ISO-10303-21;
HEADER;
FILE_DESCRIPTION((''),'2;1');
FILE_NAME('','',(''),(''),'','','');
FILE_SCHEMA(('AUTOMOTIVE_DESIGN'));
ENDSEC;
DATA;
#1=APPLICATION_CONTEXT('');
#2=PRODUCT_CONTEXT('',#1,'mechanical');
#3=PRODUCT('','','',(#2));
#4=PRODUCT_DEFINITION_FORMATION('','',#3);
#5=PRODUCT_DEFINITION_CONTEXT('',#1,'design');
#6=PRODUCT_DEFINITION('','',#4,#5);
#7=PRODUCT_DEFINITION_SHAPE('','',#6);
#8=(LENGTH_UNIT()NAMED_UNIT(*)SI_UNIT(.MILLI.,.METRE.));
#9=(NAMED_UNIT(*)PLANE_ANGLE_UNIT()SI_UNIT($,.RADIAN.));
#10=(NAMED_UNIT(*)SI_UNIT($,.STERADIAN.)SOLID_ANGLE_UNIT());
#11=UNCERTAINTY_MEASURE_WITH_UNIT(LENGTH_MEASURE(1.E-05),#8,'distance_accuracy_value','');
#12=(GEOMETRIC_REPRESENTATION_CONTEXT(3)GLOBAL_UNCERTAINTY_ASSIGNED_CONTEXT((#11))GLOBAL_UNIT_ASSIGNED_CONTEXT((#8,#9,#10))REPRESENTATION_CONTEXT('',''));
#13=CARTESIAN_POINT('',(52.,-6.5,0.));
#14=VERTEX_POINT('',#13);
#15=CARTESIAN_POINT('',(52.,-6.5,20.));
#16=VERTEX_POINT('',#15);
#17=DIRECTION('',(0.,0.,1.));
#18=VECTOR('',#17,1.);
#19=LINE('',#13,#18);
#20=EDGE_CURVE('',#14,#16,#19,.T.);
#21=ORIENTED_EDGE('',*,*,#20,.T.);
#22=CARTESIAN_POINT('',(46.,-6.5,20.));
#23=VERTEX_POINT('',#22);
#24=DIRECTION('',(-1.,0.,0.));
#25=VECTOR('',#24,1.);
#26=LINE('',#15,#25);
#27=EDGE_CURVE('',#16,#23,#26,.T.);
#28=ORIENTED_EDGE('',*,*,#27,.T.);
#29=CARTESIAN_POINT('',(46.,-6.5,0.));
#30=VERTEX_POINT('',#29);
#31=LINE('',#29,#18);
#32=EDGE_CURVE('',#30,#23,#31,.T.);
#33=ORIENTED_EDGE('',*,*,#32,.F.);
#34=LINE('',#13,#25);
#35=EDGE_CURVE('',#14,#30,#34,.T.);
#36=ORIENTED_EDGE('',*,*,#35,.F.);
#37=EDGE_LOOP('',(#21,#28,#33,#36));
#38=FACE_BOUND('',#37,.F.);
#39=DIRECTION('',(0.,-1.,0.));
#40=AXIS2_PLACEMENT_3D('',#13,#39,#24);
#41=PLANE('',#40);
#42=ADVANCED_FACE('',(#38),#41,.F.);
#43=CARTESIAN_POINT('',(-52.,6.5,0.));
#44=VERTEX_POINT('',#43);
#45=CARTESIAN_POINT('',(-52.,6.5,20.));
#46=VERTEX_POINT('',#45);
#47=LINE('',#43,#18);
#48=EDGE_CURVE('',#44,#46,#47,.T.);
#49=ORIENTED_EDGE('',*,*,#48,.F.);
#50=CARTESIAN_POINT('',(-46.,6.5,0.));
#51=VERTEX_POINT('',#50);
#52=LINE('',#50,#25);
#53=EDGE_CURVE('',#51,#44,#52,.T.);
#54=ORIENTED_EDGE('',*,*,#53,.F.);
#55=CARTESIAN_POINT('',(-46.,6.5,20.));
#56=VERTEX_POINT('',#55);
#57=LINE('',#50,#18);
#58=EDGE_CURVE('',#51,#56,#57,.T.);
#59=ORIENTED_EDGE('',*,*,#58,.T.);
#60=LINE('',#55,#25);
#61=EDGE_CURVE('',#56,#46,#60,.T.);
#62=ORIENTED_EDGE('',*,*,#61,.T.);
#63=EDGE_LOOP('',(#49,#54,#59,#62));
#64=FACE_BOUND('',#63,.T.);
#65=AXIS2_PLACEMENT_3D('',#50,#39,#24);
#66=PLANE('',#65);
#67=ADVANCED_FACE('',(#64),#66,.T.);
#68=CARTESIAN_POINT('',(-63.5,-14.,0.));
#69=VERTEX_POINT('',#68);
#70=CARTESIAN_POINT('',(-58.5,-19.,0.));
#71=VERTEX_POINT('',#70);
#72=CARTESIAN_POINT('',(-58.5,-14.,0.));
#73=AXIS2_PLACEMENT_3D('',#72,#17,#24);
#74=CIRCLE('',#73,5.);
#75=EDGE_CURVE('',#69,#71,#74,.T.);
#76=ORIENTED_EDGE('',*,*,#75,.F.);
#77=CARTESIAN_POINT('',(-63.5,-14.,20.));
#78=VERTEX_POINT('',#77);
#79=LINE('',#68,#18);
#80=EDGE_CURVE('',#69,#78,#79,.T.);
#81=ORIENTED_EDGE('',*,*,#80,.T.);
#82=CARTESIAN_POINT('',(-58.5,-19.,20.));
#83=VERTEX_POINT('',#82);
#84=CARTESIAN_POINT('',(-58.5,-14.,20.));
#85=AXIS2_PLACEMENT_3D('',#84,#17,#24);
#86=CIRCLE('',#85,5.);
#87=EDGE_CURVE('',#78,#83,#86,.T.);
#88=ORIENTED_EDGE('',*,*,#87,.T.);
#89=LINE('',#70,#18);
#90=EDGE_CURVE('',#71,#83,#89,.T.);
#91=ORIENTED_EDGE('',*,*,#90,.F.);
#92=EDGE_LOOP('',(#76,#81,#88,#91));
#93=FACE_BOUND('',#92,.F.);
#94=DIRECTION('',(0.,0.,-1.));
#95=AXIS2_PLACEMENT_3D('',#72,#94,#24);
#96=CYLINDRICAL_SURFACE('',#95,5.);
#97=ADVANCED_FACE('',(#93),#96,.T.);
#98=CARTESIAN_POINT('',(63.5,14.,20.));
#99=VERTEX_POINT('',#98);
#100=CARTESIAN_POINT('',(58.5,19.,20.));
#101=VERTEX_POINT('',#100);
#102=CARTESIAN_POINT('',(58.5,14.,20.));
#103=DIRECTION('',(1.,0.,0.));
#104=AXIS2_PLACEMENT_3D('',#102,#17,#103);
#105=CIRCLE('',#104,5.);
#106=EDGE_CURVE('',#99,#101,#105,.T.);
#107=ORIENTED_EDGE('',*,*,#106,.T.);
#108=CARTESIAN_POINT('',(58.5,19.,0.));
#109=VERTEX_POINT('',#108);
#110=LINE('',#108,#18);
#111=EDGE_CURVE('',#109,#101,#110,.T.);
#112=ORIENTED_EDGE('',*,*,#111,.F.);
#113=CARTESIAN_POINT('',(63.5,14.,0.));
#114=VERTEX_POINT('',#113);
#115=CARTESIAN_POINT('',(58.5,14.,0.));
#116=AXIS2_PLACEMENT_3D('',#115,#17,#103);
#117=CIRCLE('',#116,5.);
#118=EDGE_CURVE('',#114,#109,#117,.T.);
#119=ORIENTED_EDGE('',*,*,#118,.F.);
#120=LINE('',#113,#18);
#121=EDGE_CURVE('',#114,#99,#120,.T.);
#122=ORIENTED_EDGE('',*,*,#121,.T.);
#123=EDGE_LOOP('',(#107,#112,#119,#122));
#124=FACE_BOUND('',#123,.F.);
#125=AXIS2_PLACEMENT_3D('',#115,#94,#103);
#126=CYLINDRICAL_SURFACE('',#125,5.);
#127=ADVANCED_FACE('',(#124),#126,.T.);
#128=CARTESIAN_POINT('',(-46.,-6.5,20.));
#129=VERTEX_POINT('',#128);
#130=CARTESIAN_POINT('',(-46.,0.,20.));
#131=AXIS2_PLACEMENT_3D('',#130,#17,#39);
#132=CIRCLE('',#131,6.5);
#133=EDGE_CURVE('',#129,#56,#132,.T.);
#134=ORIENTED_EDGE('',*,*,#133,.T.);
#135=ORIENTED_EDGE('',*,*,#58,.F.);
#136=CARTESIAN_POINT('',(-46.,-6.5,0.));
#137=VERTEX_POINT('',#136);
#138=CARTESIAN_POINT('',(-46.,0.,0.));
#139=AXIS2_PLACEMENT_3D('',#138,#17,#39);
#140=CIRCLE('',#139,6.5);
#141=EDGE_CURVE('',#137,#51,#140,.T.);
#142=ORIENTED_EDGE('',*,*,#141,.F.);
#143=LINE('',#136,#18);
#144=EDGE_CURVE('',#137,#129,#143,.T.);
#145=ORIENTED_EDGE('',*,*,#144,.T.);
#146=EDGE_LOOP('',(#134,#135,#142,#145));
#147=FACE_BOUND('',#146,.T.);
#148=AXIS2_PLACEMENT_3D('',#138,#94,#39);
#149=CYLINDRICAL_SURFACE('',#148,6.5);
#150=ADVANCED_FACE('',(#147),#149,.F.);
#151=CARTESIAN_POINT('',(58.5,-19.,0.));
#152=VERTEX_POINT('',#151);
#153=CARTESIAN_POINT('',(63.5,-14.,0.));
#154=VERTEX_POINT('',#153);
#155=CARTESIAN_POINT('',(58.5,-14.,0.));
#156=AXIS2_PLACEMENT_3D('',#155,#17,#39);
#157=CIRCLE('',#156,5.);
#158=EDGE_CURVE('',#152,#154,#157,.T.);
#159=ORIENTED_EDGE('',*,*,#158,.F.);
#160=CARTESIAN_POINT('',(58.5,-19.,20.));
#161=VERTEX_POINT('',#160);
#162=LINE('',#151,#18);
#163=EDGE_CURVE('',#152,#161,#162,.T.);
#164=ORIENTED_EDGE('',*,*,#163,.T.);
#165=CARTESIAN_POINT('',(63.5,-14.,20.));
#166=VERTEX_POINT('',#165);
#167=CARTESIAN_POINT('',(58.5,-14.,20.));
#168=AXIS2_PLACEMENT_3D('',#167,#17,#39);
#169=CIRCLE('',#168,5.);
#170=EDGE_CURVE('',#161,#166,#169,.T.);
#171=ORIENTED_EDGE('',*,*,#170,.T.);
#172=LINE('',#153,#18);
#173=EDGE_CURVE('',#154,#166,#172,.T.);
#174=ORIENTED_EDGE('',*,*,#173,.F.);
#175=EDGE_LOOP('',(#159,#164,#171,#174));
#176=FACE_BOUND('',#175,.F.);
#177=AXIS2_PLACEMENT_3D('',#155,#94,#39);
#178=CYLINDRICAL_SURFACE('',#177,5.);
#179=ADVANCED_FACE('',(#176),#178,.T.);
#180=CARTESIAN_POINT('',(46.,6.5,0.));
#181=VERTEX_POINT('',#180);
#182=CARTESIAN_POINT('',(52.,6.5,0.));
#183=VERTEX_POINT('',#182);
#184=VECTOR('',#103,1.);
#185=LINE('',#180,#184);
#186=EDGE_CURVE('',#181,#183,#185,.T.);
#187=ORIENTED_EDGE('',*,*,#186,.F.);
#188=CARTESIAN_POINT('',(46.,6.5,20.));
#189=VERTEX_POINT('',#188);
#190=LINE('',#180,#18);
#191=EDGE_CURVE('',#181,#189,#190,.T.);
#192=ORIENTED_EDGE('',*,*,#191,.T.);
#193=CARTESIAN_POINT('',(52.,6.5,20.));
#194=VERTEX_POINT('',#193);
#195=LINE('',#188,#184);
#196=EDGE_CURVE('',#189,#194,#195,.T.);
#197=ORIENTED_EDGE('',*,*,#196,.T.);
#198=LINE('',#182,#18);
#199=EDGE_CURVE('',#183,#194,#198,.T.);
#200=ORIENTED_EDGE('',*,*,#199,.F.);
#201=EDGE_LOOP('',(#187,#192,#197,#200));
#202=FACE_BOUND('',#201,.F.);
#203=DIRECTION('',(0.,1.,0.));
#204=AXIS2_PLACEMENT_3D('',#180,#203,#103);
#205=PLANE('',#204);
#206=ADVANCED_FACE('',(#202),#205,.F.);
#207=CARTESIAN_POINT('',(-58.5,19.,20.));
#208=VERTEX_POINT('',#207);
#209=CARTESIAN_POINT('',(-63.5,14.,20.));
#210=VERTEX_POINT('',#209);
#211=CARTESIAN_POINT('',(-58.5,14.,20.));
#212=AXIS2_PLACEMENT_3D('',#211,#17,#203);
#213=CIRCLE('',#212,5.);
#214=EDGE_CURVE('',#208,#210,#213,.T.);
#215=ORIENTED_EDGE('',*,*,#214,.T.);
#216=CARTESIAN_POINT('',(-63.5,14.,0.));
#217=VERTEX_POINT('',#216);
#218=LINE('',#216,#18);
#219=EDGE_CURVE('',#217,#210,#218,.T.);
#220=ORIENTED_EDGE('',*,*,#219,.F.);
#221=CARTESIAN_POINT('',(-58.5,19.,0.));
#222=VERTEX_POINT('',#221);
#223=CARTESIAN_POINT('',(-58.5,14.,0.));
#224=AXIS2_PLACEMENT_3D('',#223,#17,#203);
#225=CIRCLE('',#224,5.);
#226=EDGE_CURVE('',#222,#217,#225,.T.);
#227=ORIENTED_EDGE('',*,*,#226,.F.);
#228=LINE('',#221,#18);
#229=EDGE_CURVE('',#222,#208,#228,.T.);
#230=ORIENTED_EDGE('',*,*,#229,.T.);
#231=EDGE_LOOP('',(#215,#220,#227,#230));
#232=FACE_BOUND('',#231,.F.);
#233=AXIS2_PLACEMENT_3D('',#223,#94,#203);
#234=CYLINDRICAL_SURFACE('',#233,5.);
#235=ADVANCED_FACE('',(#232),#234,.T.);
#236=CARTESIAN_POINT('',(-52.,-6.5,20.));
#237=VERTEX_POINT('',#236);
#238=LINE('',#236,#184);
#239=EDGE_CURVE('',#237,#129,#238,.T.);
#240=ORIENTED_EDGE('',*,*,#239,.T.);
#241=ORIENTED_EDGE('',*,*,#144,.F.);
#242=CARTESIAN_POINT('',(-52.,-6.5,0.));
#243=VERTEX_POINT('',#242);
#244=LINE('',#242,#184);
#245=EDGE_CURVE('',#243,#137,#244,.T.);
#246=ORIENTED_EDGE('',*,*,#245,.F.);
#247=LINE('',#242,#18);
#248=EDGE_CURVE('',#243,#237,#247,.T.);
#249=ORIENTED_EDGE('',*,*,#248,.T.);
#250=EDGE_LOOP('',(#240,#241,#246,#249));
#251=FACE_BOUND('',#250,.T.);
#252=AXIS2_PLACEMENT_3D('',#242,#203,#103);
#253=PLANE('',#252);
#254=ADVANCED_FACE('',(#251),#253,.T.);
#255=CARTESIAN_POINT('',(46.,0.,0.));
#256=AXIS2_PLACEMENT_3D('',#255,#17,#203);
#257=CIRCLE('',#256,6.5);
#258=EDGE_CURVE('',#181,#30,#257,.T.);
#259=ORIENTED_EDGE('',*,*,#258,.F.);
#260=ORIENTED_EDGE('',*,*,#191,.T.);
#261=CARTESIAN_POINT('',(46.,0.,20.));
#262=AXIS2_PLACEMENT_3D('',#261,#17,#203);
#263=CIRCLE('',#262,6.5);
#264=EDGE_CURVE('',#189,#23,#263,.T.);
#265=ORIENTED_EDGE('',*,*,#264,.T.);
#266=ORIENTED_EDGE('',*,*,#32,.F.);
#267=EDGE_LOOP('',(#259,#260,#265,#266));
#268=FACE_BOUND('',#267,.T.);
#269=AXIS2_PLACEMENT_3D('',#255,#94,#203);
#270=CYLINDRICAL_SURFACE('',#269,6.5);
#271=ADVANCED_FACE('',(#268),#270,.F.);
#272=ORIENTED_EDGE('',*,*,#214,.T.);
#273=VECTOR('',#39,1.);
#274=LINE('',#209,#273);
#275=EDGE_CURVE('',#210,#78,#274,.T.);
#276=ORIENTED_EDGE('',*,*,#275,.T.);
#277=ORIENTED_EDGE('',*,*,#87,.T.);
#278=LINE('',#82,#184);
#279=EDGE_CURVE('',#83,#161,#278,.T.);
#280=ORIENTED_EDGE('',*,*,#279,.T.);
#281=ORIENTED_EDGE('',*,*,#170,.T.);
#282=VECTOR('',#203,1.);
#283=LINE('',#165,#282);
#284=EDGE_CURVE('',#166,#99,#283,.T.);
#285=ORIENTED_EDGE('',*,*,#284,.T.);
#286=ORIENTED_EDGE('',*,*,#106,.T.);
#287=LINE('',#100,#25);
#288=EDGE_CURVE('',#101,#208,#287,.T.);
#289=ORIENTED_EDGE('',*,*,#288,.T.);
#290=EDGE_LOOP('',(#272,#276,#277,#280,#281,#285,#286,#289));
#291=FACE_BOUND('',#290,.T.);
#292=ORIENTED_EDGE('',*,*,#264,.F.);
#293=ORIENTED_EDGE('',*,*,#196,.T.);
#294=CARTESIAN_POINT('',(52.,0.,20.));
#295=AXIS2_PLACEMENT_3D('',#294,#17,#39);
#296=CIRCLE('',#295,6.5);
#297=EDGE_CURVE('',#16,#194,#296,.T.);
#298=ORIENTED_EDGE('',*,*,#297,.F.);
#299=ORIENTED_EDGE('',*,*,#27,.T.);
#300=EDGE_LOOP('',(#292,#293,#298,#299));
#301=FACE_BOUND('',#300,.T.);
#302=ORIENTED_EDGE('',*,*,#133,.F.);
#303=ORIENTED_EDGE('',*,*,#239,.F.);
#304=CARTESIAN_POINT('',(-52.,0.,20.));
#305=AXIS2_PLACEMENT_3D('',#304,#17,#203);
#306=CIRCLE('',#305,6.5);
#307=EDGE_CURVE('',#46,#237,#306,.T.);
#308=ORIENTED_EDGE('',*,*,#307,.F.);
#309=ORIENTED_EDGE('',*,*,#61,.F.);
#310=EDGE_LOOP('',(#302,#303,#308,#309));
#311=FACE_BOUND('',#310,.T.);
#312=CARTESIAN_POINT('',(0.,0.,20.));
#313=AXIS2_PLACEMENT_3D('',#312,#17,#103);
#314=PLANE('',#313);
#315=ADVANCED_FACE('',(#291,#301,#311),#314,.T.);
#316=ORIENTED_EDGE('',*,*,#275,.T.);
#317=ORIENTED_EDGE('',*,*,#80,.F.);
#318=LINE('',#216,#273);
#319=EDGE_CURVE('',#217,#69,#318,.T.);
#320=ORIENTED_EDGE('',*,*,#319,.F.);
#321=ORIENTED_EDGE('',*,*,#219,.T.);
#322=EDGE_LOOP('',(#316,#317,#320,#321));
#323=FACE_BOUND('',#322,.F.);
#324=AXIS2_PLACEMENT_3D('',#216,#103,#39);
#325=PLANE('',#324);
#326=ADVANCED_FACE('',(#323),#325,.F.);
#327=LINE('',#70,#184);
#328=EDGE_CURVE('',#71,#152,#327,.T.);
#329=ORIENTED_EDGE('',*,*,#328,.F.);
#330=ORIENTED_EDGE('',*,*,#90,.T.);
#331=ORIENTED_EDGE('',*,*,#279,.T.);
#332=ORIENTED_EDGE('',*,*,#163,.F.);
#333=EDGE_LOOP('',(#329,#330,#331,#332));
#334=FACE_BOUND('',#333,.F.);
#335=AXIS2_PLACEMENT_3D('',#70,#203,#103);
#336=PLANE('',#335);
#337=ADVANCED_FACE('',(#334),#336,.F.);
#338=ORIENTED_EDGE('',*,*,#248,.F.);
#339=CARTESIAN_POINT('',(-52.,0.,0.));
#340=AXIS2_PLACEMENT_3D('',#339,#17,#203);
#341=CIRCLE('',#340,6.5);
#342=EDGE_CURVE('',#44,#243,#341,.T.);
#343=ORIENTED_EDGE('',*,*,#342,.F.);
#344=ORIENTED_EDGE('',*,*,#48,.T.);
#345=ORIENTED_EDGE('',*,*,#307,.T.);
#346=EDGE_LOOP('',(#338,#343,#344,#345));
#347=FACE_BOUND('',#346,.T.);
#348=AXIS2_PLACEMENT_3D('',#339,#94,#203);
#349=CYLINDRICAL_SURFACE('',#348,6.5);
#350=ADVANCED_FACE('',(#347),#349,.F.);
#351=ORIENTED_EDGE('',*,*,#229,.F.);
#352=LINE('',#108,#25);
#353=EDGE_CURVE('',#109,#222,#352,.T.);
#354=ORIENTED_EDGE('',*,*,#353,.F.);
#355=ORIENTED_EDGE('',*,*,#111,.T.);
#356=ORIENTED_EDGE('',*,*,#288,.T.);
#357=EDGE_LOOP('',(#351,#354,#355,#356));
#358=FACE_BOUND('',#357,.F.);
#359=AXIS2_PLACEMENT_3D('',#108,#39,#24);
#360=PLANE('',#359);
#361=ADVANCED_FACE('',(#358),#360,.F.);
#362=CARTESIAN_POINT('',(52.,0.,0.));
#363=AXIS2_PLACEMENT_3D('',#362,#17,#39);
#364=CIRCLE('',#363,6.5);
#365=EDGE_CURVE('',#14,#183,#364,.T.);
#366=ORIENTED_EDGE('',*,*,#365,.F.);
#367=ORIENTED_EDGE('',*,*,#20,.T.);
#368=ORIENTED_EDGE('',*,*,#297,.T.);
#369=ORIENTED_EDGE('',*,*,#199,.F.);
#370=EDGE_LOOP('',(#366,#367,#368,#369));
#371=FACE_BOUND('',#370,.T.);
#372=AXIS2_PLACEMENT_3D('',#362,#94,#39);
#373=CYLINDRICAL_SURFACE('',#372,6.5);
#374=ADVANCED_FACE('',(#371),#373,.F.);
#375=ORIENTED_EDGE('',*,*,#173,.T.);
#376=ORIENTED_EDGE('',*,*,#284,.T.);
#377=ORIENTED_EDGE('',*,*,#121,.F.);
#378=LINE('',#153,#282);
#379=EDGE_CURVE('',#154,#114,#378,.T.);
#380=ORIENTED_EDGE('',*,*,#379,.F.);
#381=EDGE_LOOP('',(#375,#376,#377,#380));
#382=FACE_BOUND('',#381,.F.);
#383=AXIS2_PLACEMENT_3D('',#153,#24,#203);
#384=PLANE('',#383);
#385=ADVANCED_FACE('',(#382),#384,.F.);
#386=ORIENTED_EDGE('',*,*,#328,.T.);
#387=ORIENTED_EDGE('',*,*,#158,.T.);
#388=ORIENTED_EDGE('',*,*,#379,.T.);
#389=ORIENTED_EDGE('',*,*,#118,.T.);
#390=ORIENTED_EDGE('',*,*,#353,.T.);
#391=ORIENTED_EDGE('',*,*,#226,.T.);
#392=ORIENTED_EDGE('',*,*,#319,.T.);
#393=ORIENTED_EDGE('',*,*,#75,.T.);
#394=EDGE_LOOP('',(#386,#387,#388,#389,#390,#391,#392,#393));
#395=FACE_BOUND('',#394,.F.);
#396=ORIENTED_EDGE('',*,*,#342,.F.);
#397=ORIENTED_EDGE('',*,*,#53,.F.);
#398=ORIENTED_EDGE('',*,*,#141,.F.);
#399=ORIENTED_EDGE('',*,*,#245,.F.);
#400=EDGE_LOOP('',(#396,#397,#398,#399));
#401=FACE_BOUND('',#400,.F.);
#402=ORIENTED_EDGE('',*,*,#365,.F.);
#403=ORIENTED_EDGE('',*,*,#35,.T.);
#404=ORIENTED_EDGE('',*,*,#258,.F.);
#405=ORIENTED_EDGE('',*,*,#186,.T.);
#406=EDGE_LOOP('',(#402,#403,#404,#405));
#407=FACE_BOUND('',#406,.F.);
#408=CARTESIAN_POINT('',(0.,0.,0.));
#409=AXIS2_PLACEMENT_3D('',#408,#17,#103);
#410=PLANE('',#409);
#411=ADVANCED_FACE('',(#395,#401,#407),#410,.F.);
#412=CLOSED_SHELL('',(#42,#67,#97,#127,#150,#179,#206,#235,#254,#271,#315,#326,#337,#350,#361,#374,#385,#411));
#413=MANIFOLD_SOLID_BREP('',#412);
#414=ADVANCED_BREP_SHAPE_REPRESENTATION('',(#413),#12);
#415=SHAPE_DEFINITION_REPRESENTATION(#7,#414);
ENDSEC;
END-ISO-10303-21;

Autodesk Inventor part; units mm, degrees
ref_plane "YZ Plane" through (0, 0, 0) normal (1, 0, 0) x (0, 1, 0)
ref_plane "XZ Plane" through (0, 0, 0) normal (0, 1, 0) x (-1, 0, 0)
ref_plane "XY Plane" through (0, 0, 0) normal (0, 0, 1) x (1, 0, 0)
sketch "Boceto1" plane through (0, 0, 0) normal (0, 0, 1) x (1, 0, 0)
  line L0 (-58.5, -19) -> (58.5, -19)
  line L1 (63.5, -14) -> (63.5, 14)
  line L2 (58.5, 19) -> (-58.5, 19)
  line L3 (-63.5, 14) -> (-63.5, -14)
  line L4 (-63.5, -19) -> (63.5, 19) construction
  line L5 (63.5, -19) -> (-63.5, 19) construction
  arc A0 (-58.5, 19) -> (-63.5, 14) centre (-58.5, 14) ccw
  arc A1 (-63.5, -14) -> (-58.5, -19) centre (-58.5, -14) ccw
  arc A2 (58.5, -19) -> (63.5, -14) centre (58.5, -14) ccw
  arc A3 (63.5, 14) -> (58.5, 19) centre (58.5, 14) ccw
  line L6 (-63.5, 0) -> (63.5, 0) construction
  line L7 (-58.5, 0) -> (-39.5, 0) construction
  line L8 (-52, -6.5) -> (-46, -6.5)
  line L9 (-46, 6.5) -> (-52, 6.5)
  arc A4 (-52, 6.5) -> (-52, -6.5) centre (-52, 0) ccw
  arc A5 (-46, -6.5) -> (-46, 6.5) centre (-46, 0) ccw
  line L10 (0, 19) -> (0, -19) construction
  line L11 (52, -6.5) -> (46, -6.5)
  line L12 (46, 6.5) -> (52, 6.5)
  arc A6 (52, -6.5) -> (52, 6.5) centre (52, 0) ccw
  arc A7 (46, 6.5) -> (46, -6.5) centre (46, 0) ccw
  point P0 (0, 0)
  point P1 (-49, 0)
  dimension "d0" = 38
  dimension "d1" = 127
  dimension "d2" = 5
  dimension "d3" = 5
  dimension "d4" = 19
  dimension "d6" = 13
extrude "Extrusión1" add sketch "Boceto1" along normal blind 20
properties part number "SoporteMancal"
